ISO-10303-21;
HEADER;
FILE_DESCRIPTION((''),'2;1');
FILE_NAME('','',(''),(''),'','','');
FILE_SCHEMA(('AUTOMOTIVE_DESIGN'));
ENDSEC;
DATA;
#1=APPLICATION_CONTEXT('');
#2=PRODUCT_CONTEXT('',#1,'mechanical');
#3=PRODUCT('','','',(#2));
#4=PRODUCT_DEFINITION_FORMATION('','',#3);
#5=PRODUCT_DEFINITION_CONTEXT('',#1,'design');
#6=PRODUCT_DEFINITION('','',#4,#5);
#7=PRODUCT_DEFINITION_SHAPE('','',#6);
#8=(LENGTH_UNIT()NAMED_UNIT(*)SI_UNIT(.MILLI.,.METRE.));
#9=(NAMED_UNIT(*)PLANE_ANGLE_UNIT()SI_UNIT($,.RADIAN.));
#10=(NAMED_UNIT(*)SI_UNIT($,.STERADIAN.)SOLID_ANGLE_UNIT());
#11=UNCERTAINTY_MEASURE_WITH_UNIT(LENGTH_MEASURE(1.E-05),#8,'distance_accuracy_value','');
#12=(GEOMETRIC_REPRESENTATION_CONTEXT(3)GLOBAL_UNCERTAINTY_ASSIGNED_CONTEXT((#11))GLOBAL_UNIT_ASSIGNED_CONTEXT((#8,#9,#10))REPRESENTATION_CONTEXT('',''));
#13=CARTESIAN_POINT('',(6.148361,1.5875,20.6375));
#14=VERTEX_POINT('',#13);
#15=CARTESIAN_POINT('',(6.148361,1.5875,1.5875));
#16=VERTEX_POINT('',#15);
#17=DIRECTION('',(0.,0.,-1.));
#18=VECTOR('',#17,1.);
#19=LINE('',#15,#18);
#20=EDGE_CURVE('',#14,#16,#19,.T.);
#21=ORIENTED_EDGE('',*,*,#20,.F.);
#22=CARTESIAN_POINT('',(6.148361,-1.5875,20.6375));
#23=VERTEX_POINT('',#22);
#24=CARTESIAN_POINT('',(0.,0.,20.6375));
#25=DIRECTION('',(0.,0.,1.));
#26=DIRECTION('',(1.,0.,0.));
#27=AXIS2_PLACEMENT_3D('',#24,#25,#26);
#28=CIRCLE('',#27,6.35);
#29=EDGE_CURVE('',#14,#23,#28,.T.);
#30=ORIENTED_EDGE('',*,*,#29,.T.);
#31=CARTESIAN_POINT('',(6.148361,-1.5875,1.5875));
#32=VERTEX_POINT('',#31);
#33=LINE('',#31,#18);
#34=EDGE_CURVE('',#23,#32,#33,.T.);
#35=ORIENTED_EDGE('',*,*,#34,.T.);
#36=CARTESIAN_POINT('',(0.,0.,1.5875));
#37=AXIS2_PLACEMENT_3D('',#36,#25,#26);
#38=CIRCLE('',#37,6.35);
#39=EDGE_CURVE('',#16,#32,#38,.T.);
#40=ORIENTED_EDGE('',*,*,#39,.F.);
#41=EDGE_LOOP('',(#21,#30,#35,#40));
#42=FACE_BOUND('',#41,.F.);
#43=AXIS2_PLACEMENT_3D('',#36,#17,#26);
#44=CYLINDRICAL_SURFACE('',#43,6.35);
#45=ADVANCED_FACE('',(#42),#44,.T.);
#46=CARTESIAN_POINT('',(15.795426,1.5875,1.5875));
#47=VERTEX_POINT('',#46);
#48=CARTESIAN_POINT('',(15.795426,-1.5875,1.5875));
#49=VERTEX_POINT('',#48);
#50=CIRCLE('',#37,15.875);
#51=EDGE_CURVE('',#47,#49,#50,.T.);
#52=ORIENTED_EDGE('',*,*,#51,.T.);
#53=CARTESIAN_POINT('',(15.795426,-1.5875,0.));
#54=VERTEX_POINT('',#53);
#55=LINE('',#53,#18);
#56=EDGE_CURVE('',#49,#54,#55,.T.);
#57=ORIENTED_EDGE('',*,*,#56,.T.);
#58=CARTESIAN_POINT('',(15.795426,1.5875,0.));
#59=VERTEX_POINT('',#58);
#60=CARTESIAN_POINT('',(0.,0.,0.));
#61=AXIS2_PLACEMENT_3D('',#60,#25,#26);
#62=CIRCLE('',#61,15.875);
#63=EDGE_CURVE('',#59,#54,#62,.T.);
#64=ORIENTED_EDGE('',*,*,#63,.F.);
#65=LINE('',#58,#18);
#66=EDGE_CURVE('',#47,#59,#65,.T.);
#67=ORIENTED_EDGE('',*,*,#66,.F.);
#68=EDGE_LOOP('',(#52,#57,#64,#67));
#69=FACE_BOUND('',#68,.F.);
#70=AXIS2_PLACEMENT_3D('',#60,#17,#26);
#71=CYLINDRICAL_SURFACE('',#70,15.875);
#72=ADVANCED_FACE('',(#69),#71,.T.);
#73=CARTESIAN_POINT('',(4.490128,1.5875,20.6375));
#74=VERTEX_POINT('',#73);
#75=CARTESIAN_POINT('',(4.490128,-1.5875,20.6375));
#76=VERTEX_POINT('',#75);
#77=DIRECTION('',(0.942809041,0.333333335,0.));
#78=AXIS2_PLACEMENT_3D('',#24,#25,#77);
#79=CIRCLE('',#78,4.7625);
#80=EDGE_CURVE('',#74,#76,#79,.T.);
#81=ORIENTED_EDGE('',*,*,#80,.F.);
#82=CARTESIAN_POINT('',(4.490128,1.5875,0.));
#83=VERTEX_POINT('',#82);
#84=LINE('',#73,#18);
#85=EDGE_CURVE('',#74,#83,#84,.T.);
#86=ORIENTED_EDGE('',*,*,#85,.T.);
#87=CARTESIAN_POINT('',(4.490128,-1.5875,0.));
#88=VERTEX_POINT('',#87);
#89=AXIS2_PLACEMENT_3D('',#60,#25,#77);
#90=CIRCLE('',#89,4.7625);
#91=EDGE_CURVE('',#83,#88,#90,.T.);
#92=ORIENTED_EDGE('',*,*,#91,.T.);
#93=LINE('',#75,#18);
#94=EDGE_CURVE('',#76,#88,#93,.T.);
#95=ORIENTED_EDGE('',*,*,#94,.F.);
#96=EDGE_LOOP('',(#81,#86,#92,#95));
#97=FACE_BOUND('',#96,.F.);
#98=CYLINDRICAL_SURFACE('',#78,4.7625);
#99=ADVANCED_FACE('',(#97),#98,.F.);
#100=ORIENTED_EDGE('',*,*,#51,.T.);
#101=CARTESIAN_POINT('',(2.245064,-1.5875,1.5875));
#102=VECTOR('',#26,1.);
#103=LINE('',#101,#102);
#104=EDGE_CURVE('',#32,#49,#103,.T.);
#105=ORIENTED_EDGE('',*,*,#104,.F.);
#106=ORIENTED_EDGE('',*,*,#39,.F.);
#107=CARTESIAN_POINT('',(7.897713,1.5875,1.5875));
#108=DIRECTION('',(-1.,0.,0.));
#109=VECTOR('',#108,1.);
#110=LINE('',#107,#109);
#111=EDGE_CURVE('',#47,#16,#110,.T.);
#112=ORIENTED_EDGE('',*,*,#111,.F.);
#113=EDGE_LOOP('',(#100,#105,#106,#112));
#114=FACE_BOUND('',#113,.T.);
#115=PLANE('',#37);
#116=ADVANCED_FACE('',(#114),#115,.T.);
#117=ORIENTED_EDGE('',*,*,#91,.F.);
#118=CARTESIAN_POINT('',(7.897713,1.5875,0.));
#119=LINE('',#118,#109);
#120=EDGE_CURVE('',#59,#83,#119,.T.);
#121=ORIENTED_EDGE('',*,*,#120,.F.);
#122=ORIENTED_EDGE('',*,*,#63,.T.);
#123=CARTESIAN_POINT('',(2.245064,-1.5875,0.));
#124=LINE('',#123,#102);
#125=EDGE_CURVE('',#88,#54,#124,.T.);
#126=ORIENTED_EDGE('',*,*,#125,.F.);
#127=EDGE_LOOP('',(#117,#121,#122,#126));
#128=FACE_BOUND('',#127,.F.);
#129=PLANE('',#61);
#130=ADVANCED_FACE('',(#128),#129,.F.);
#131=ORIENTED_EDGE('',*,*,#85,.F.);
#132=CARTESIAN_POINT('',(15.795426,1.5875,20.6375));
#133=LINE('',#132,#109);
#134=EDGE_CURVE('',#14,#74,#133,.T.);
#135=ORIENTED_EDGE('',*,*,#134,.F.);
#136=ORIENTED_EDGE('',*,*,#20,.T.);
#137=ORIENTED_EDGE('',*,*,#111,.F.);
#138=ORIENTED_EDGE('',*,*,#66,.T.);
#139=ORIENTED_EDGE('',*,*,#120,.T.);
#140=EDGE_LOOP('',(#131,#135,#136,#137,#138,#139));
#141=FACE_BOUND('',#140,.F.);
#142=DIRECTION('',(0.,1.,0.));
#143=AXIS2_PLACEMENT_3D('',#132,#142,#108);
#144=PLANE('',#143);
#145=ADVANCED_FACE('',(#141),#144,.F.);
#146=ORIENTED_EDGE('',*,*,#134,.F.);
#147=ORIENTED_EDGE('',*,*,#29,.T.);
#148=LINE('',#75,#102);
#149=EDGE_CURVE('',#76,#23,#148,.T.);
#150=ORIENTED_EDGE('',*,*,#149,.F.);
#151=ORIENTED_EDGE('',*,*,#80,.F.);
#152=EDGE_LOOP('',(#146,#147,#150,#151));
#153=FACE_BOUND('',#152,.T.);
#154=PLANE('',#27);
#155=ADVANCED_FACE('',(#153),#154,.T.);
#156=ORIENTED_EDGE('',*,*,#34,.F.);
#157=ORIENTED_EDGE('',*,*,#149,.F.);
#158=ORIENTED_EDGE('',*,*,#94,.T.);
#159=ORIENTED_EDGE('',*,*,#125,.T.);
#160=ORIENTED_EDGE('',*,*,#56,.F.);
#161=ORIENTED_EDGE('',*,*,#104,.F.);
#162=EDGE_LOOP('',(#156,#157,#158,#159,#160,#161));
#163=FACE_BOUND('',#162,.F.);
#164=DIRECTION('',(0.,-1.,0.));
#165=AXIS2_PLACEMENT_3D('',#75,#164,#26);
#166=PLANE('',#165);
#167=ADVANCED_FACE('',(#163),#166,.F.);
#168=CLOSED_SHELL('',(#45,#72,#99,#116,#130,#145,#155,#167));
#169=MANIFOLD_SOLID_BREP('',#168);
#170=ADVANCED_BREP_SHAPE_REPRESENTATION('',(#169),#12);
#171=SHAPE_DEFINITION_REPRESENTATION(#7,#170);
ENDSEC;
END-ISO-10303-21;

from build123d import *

# Parameters (mm, degrees)
F0_R     = 15.875
F1_DEPTH = 1.5875
F2_R     = 6.35
F3_DEPTH = 19.05
F5_DEPTH = 20.6385


with BuildPart() as f1:
    # F0 (on Top) → F1 (new body)
    with BuildSketch(Plane.XY):
        Circle(F0_R)
    extrude(amount=F1_DEPTH)

    # F2 (on face) → F3 (join)
    with BuildSketch(Plane.XY.offset(1.5875)):
        Circle(F2_R)
    extrude(amount=F3_DEPTH)

    # F4 (on face) → F5 (cut, through all)
    with BuildSketch(Plane.XY.offset(20.6375)):
        with BuildLine():
            Line((15.795426, 1.5875), (4.490128, 1.5875))
            ThreePointArc((4.490128, 1.5875), (-4.7625, 0), (4.490128, -1.5875))
            Line((4.490128, -1.5875), (15.795426, -1.5875))
            ThreePointArc((15.795426, -1.5875), (15.875, 0), (15.795426, 1.5875))
        make_face()
    extrude(amount=-F5_DEPTH, mode=Mode.SUBTRACT)


solid = f1.part
